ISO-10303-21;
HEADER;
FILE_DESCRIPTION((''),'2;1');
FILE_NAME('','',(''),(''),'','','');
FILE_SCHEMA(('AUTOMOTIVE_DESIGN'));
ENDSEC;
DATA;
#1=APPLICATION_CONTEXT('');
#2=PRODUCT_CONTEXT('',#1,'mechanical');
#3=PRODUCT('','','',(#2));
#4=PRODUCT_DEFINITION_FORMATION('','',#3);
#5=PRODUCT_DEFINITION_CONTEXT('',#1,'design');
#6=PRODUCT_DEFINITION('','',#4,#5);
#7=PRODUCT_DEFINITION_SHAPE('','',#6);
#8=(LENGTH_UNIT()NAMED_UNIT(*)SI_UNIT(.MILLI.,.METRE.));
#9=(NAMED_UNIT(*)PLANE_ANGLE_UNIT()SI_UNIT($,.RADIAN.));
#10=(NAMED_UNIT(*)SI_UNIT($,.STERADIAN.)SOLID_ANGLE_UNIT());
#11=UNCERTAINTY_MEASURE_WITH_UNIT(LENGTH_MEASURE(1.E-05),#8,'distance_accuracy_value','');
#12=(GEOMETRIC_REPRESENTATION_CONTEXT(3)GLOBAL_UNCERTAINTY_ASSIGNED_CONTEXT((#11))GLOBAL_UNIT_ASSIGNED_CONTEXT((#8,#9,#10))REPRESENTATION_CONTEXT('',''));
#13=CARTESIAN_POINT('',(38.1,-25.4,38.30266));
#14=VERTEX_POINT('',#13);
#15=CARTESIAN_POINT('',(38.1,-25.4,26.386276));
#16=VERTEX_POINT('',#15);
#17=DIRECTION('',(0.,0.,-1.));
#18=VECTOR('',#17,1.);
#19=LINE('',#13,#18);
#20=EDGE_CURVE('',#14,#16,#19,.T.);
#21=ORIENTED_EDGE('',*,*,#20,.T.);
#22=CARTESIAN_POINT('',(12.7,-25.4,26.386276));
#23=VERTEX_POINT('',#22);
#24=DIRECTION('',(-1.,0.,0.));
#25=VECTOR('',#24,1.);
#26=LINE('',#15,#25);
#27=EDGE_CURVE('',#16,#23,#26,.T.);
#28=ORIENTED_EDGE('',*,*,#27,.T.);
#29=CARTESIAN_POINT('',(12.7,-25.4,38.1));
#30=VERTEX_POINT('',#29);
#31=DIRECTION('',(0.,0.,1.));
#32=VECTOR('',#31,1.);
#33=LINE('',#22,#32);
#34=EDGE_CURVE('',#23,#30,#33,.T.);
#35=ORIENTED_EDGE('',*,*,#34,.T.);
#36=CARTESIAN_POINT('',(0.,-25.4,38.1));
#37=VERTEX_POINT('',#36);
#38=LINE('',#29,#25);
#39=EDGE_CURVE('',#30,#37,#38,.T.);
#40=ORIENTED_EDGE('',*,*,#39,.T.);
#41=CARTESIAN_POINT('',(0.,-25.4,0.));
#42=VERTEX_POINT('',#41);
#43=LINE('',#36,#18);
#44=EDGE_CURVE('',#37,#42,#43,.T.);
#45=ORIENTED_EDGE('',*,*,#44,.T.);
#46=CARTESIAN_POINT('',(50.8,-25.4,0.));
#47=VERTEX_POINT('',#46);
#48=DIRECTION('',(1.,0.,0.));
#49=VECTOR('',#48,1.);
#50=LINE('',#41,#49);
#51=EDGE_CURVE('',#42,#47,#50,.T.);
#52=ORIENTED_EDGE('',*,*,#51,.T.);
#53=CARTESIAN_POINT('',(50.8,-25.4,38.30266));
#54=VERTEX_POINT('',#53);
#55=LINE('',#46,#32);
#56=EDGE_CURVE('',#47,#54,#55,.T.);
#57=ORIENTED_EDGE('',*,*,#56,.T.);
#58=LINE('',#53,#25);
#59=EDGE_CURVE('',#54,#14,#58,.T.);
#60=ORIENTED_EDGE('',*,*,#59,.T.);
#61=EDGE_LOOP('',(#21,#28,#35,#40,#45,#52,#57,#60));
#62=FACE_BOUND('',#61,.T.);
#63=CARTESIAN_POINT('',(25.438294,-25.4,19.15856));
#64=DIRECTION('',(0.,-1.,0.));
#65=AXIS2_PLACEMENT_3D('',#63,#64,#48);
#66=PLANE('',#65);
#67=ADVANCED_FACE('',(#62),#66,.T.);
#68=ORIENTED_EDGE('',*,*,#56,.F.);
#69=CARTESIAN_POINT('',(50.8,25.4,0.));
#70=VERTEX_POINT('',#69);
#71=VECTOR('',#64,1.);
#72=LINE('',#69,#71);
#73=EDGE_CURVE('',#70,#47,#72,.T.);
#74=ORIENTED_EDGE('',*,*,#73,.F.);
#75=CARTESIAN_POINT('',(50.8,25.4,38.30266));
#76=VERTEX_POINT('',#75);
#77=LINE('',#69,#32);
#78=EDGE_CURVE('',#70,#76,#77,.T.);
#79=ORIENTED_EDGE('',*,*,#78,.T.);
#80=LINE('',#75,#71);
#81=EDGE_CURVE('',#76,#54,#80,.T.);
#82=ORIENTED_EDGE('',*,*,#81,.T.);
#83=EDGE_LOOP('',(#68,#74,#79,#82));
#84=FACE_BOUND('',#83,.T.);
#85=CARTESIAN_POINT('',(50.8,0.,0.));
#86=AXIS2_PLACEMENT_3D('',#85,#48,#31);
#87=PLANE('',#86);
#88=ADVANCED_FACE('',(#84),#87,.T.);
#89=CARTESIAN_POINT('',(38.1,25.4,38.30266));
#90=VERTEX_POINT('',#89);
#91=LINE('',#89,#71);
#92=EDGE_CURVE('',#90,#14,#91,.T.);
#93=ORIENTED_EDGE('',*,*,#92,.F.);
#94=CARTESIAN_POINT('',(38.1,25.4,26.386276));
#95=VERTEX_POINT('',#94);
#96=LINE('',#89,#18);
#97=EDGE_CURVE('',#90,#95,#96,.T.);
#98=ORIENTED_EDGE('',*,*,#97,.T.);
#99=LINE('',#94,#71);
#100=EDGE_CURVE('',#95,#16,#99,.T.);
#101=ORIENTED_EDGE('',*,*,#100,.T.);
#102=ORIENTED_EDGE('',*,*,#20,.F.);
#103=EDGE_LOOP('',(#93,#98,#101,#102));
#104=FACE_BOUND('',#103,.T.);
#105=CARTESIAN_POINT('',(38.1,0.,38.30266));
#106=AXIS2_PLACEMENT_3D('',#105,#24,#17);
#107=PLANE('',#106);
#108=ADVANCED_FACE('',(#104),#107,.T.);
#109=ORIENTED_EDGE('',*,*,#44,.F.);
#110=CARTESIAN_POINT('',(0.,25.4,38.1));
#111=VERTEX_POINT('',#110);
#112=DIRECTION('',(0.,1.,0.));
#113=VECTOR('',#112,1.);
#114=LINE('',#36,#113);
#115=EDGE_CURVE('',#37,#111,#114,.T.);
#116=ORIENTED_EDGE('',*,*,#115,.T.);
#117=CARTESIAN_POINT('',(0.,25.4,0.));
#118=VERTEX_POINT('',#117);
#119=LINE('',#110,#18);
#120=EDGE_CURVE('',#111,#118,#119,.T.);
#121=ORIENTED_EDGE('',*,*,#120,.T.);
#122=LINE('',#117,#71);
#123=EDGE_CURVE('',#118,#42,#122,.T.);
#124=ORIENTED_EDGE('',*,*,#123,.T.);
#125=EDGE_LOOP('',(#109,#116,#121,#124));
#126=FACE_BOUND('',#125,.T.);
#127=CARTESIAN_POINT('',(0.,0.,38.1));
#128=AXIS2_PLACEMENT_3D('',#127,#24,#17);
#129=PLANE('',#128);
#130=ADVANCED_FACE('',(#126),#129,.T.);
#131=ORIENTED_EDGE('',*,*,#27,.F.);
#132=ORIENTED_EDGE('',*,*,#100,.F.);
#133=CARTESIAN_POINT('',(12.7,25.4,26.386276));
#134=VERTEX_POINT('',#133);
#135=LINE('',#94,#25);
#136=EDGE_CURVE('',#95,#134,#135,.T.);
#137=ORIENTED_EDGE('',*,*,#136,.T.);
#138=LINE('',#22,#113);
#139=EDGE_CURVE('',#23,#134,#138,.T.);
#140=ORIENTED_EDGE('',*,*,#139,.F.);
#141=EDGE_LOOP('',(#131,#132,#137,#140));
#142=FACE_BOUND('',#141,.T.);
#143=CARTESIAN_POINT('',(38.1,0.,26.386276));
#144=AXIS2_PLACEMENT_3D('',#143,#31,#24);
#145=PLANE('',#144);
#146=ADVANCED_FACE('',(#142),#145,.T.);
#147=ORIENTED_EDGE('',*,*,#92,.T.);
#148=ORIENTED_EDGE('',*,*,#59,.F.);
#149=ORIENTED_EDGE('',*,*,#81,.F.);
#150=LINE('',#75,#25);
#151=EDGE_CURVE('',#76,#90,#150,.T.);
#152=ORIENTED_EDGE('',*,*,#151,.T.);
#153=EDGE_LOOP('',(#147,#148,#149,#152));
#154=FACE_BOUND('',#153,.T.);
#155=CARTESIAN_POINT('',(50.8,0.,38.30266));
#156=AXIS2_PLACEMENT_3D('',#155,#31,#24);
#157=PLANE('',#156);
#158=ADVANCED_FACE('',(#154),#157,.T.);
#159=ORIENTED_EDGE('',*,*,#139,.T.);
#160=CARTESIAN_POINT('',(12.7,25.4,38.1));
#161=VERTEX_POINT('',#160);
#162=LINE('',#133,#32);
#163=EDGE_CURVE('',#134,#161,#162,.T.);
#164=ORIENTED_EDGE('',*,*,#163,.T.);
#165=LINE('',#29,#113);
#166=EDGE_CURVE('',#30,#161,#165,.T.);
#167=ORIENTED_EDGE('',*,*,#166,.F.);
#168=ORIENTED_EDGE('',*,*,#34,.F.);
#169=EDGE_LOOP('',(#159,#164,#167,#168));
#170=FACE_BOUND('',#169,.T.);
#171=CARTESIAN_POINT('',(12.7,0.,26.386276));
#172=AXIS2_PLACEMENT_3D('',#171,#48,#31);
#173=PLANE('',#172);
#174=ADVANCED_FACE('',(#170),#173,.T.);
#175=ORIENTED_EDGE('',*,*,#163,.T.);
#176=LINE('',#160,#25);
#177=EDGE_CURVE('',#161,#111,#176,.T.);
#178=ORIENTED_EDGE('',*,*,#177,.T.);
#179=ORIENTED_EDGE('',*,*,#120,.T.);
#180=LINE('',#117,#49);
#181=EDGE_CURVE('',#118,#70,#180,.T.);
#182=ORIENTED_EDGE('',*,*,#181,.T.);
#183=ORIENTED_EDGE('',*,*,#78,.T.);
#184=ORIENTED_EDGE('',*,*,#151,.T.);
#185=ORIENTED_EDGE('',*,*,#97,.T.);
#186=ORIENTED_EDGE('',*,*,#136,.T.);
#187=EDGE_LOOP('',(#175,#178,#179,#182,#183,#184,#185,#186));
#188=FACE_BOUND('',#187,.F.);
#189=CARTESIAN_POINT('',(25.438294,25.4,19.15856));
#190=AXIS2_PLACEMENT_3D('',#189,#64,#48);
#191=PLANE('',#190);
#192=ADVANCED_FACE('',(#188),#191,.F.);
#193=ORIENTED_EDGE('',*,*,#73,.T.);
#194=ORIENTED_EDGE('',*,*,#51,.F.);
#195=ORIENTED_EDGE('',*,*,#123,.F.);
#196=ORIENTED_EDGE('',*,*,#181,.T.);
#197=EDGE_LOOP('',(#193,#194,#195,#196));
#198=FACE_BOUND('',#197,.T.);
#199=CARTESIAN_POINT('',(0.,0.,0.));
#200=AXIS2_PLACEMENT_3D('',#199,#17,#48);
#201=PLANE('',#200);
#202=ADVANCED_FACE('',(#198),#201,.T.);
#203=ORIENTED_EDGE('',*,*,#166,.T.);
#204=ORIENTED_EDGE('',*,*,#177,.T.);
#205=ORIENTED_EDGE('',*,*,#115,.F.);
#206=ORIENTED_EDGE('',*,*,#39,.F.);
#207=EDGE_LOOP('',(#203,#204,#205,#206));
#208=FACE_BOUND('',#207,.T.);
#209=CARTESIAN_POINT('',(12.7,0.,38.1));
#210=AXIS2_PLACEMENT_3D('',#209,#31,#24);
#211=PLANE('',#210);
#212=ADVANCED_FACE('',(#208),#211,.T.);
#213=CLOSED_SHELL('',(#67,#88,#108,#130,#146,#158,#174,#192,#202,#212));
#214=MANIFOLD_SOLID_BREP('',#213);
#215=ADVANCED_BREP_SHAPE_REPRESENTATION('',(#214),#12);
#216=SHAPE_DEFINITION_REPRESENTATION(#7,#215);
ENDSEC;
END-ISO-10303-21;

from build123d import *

# Parameters (mm, degrees)
F1_DEPTH      = 25.4
F1_DEPTH_BACK = 25.4


with BuildPart() as f1:
    # F0 (on Front) → F1 (new body, two sides)
    with BuildSketch(Plane.XZ) as f1_sk:
        Polygon((0, 38.1), (0, 0), (50.8, 0), (50.8, 38.30266), (38.1, 38.30266), (38.1, 26.386276), (12.7, 26.386276), (12.7, 38.1), align=None)
    extrude(amount=F1_DEPTH)
    extrude(f1_sk.sketch, amount=-F1_DEPTH_BACK)


solid = f1.part
